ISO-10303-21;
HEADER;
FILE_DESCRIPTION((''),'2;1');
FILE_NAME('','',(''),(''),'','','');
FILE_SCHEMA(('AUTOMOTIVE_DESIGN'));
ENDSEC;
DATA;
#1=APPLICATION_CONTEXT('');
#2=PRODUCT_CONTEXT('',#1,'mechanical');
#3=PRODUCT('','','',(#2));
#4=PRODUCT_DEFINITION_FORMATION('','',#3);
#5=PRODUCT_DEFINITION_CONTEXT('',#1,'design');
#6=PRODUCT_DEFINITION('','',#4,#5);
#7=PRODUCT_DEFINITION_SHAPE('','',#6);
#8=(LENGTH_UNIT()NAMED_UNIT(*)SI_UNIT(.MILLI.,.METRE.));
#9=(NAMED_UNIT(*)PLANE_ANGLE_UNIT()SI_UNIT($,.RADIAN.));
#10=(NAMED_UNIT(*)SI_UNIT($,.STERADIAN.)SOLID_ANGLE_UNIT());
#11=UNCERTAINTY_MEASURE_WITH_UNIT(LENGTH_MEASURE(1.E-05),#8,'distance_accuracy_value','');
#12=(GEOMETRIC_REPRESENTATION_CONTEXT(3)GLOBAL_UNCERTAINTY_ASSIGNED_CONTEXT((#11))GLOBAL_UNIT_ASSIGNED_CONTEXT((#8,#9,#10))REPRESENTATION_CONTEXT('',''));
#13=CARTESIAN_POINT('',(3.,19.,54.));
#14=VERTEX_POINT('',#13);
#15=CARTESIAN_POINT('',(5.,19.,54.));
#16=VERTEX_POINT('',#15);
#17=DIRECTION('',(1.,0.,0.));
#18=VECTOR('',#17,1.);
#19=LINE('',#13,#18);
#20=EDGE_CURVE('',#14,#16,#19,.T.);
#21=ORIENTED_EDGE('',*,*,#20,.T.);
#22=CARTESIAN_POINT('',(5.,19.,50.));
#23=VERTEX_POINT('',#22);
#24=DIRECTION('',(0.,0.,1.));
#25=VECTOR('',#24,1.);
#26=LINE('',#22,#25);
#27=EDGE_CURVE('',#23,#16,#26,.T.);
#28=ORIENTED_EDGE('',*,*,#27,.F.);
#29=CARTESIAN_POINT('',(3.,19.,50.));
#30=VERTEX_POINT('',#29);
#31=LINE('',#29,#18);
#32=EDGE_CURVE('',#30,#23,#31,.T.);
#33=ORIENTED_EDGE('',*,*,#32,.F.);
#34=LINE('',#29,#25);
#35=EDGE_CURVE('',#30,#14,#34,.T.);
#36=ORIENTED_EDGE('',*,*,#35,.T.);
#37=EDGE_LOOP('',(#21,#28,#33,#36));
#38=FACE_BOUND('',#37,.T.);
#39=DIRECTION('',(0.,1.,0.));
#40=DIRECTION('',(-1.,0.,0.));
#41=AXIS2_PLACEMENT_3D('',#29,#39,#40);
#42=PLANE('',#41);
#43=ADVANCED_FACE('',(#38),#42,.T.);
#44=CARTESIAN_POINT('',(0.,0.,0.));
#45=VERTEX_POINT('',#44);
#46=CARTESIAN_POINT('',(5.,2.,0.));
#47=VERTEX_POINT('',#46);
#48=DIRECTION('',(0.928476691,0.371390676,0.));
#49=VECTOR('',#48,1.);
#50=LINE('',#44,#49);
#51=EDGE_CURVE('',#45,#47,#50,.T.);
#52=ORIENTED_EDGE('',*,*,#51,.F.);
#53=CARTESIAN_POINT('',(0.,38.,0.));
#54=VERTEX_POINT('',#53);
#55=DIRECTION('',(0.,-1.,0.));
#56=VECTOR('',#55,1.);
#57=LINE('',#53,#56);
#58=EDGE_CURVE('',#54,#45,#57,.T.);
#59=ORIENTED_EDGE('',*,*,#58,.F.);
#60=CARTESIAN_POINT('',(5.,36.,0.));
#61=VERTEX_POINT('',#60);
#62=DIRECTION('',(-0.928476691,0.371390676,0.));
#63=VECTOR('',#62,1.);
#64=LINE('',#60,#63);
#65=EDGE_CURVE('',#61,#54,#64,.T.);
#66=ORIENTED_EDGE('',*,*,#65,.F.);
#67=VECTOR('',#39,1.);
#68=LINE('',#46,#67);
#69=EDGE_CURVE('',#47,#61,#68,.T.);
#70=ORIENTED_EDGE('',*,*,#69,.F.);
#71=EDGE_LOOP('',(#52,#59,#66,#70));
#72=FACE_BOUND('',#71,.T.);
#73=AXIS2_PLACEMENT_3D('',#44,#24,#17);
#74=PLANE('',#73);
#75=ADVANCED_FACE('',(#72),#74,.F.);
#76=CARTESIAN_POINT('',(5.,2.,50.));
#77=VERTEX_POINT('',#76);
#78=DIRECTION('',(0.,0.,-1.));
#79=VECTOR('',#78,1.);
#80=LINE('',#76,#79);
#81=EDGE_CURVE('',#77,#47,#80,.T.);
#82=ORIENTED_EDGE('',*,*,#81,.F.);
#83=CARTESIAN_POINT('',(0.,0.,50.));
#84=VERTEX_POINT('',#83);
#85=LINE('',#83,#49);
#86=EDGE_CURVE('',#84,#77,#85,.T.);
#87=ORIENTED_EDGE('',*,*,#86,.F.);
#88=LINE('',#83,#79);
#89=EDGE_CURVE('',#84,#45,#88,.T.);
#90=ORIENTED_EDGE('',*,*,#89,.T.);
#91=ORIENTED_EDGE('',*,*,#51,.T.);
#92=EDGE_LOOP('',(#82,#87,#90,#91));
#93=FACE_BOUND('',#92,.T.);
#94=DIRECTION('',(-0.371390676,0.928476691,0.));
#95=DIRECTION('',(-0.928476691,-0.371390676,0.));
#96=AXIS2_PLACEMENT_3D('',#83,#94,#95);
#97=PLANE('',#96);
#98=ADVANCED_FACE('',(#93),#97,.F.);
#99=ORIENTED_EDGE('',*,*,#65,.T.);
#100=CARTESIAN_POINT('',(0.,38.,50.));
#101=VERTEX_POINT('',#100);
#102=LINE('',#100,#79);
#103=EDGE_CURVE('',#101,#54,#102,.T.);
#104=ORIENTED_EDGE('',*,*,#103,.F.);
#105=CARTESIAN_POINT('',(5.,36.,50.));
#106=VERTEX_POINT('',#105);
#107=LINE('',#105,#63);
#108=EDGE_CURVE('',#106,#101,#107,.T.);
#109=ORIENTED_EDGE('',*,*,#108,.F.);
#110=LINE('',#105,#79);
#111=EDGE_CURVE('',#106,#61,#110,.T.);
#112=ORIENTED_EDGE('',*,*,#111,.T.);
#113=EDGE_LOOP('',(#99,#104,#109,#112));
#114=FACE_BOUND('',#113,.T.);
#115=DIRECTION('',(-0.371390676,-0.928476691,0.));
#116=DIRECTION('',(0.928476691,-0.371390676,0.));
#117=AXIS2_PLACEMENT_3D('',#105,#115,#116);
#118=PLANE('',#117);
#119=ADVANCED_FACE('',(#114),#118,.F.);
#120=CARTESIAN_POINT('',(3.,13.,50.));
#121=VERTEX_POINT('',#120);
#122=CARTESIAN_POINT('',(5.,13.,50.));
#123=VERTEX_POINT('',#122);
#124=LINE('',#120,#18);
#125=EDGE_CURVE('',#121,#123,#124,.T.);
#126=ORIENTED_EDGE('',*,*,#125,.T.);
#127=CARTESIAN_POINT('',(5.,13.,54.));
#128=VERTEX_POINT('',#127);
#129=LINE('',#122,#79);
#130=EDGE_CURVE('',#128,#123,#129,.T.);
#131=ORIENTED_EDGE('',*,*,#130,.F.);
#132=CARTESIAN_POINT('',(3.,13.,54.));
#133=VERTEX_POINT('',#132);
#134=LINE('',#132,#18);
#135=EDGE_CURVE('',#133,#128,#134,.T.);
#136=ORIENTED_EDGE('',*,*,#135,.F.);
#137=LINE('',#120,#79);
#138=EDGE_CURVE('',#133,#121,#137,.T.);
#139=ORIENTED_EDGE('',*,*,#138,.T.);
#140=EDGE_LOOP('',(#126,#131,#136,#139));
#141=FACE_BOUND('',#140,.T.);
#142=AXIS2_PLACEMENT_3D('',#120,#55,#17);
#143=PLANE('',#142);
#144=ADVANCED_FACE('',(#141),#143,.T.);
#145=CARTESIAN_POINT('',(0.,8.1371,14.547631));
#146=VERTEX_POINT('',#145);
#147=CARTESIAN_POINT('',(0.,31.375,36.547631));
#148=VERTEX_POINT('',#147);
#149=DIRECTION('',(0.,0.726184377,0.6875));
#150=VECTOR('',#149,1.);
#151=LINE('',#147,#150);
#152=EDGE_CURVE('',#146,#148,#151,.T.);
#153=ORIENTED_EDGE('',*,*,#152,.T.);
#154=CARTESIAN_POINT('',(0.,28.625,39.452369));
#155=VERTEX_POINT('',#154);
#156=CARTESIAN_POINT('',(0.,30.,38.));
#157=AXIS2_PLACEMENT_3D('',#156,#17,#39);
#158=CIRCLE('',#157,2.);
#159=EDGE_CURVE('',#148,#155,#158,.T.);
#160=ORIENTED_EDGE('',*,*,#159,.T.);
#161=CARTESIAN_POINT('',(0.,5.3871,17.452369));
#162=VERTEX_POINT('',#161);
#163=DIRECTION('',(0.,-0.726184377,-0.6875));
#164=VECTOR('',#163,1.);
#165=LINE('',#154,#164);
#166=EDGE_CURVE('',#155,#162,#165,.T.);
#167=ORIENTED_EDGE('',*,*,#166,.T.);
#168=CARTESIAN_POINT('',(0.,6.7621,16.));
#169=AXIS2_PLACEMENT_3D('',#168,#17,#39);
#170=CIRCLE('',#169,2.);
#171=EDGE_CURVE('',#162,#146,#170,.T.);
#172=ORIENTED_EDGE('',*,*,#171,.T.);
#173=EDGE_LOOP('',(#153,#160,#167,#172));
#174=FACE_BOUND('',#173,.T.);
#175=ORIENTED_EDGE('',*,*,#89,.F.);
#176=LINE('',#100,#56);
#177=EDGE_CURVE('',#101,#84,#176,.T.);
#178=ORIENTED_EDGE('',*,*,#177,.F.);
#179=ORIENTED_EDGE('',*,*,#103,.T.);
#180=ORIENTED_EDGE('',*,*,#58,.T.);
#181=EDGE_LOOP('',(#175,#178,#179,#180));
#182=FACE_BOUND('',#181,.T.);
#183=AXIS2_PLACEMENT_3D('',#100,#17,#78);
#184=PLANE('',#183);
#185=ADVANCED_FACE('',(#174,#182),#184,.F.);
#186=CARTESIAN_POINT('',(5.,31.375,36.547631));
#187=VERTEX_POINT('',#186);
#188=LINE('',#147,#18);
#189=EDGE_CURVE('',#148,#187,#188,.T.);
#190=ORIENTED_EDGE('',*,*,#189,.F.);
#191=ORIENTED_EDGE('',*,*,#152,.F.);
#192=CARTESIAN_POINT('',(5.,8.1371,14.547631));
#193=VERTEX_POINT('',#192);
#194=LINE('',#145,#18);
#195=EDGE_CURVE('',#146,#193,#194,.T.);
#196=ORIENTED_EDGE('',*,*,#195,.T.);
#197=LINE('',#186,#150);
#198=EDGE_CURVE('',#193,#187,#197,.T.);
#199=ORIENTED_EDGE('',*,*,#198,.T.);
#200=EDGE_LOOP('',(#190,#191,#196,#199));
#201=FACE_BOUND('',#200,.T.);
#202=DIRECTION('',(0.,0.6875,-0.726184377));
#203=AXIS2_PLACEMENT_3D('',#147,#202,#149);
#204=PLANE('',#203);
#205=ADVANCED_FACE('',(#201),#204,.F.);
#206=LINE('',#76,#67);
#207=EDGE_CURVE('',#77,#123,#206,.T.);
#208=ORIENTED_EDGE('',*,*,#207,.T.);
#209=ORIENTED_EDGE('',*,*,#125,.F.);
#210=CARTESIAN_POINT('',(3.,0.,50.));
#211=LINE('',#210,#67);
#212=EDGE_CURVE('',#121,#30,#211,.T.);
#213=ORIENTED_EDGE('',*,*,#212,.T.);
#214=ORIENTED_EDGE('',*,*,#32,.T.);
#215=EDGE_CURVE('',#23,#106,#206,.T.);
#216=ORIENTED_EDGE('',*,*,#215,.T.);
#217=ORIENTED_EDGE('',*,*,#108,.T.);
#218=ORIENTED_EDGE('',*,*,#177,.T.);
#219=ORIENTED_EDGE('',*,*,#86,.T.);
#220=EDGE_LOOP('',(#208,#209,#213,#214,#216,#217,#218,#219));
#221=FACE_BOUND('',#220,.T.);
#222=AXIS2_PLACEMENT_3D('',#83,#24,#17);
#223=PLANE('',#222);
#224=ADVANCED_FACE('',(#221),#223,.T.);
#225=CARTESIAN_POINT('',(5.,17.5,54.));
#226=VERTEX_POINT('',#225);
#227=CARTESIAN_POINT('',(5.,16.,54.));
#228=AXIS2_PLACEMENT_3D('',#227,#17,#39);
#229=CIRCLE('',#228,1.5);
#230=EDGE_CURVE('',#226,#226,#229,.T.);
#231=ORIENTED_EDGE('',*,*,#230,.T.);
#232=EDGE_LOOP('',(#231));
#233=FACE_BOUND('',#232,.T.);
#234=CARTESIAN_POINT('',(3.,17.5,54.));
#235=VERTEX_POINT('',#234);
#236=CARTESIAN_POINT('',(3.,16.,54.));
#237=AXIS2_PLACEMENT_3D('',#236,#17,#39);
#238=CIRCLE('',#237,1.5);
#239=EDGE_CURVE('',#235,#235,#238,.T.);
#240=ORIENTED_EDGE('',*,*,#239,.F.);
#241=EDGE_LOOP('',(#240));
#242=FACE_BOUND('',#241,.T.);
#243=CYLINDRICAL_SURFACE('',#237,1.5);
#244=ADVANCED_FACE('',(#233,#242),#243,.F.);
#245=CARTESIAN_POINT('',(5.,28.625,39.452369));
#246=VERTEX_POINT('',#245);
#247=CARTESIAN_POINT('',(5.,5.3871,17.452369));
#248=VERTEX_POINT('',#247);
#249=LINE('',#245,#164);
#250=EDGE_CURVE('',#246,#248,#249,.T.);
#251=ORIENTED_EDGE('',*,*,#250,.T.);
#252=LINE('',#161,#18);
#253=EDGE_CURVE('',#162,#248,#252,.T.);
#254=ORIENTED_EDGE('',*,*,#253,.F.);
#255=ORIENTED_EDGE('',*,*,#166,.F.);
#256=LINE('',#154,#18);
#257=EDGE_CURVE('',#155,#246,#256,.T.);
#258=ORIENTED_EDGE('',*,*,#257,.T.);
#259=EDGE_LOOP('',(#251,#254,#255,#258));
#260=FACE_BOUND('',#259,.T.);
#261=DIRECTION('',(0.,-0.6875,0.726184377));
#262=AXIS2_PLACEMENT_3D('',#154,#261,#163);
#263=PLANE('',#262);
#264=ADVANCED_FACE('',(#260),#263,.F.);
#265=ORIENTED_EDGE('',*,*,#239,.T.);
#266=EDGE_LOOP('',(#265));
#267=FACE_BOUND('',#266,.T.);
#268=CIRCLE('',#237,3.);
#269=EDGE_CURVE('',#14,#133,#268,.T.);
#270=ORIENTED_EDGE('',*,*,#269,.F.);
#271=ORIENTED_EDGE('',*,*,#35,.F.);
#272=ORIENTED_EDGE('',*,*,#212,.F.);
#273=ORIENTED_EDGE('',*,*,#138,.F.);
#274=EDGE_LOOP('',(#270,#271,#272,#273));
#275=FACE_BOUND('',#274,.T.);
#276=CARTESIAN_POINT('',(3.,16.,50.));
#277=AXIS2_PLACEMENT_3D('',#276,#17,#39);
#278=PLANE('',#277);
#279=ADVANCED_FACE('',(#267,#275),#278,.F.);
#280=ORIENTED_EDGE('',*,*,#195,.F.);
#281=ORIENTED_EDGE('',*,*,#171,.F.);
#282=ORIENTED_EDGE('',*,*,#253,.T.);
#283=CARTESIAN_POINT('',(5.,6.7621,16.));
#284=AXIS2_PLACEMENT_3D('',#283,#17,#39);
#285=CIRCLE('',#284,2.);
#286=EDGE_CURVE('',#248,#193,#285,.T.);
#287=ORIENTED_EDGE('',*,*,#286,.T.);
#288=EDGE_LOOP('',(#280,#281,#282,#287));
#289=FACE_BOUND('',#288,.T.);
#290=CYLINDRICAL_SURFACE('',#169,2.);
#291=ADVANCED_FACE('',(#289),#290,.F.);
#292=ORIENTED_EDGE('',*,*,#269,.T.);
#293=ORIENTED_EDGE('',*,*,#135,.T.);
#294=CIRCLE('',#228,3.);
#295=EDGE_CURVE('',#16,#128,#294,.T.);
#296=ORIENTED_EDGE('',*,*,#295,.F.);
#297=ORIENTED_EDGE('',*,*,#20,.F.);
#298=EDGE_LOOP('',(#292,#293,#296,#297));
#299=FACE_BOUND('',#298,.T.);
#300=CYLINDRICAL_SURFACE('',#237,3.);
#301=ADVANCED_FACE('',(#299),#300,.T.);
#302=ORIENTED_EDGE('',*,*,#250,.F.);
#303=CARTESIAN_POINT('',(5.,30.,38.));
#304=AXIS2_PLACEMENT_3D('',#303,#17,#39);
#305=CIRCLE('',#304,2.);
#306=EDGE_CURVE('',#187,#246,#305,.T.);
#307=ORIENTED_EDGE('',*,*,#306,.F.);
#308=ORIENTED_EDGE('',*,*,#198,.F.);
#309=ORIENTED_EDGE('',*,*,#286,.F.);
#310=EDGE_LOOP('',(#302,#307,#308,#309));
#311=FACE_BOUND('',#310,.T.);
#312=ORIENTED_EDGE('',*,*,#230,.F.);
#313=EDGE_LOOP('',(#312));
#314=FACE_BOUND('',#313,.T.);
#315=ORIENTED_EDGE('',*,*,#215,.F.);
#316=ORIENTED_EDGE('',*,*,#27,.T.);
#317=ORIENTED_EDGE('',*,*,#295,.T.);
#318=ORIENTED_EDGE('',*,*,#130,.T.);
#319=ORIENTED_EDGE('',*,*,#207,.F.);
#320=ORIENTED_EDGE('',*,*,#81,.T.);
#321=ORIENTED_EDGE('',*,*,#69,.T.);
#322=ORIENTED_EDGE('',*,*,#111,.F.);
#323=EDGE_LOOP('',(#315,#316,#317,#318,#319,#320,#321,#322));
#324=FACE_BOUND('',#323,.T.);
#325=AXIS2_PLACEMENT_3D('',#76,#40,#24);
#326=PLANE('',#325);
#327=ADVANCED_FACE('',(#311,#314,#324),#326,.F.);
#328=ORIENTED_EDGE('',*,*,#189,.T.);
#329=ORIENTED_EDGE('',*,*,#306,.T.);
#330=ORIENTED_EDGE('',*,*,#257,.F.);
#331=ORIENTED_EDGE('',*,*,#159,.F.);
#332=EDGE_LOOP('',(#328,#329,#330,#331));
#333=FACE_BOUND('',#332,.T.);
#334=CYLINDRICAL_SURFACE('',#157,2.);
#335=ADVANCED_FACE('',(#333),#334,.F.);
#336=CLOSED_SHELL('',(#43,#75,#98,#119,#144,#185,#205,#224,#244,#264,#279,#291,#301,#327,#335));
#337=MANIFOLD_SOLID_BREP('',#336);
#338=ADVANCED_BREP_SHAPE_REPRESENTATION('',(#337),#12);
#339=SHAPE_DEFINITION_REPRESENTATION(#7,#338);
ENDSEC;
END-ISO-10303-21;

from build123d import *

# Parameters (mm, degrees)
BOSS_EXTRUDE1_DEPTH = 50
SKETCH2_R           = 1.5
BOSS_EXTRUDE2_DEPTH = 2
CUT_EXTRUDE1_DEPTH  = 6


with BuildPart() as part:
    # Sketch1 → Boss-Extrude1 (new body)
    with BuildSketch(Plane.XY):
        Polygon((5, 36), (0, 38), (0, 0), (5, 2), align=None)
    extrude(amount=BOSS_EXTRUDE1_DEPTH)

    # Sketch2 → Boss-Extrude2 (add)
    with BuildSketch(Plane(origin=(5, 0, 0), x_dir=(0, 0, -1), z_dir=(1, 0, 0))):
        with BuildLine():
            Line((-50, 13), (-54, 13))
            ThreePointArc((-54, 13), (-57, 16), (-54, 19))
            Line((-54, 19), (-50, 19))
            ThreePointArc((-50, 19), (-47, 16), (-50, 13))
        make_face()
        with Locations((-54, 16)):
            Circle(SKETCH2_R, mode=Mode.SUBTRACT)
    extrude(amount=-BOSS_EXTRUDE2_DEPTH)

    # Sketch3 → Cut-Extrude1 (cut, through all)
    with BuildSketch(Plane(origin=(5, 0, 0), x_dir=(0, 0, -1), z_dir=(1, 0, 0))):
        with BuildLine():
            Line((-36.547631245, 31.375), (-14.547631245, 8.137099923))
            ThreePointArc((-14.547631245, 8.137099923), (-14.625, 5.309731168), (-17.452368755, 5.387099923))
            Line((-17.452368755, 5.387099923), (-39.452368755, 28.625))
            ThreePointArc((-39.452368755, 28.625), (-39.375, 31.452368755), (-36.547631245, 31.375))
        make_face()
    extrude(amount=-CUT_EXTRUDE1_DEPTH, mode=Mode.SUBTRACT)


solid = part.part
